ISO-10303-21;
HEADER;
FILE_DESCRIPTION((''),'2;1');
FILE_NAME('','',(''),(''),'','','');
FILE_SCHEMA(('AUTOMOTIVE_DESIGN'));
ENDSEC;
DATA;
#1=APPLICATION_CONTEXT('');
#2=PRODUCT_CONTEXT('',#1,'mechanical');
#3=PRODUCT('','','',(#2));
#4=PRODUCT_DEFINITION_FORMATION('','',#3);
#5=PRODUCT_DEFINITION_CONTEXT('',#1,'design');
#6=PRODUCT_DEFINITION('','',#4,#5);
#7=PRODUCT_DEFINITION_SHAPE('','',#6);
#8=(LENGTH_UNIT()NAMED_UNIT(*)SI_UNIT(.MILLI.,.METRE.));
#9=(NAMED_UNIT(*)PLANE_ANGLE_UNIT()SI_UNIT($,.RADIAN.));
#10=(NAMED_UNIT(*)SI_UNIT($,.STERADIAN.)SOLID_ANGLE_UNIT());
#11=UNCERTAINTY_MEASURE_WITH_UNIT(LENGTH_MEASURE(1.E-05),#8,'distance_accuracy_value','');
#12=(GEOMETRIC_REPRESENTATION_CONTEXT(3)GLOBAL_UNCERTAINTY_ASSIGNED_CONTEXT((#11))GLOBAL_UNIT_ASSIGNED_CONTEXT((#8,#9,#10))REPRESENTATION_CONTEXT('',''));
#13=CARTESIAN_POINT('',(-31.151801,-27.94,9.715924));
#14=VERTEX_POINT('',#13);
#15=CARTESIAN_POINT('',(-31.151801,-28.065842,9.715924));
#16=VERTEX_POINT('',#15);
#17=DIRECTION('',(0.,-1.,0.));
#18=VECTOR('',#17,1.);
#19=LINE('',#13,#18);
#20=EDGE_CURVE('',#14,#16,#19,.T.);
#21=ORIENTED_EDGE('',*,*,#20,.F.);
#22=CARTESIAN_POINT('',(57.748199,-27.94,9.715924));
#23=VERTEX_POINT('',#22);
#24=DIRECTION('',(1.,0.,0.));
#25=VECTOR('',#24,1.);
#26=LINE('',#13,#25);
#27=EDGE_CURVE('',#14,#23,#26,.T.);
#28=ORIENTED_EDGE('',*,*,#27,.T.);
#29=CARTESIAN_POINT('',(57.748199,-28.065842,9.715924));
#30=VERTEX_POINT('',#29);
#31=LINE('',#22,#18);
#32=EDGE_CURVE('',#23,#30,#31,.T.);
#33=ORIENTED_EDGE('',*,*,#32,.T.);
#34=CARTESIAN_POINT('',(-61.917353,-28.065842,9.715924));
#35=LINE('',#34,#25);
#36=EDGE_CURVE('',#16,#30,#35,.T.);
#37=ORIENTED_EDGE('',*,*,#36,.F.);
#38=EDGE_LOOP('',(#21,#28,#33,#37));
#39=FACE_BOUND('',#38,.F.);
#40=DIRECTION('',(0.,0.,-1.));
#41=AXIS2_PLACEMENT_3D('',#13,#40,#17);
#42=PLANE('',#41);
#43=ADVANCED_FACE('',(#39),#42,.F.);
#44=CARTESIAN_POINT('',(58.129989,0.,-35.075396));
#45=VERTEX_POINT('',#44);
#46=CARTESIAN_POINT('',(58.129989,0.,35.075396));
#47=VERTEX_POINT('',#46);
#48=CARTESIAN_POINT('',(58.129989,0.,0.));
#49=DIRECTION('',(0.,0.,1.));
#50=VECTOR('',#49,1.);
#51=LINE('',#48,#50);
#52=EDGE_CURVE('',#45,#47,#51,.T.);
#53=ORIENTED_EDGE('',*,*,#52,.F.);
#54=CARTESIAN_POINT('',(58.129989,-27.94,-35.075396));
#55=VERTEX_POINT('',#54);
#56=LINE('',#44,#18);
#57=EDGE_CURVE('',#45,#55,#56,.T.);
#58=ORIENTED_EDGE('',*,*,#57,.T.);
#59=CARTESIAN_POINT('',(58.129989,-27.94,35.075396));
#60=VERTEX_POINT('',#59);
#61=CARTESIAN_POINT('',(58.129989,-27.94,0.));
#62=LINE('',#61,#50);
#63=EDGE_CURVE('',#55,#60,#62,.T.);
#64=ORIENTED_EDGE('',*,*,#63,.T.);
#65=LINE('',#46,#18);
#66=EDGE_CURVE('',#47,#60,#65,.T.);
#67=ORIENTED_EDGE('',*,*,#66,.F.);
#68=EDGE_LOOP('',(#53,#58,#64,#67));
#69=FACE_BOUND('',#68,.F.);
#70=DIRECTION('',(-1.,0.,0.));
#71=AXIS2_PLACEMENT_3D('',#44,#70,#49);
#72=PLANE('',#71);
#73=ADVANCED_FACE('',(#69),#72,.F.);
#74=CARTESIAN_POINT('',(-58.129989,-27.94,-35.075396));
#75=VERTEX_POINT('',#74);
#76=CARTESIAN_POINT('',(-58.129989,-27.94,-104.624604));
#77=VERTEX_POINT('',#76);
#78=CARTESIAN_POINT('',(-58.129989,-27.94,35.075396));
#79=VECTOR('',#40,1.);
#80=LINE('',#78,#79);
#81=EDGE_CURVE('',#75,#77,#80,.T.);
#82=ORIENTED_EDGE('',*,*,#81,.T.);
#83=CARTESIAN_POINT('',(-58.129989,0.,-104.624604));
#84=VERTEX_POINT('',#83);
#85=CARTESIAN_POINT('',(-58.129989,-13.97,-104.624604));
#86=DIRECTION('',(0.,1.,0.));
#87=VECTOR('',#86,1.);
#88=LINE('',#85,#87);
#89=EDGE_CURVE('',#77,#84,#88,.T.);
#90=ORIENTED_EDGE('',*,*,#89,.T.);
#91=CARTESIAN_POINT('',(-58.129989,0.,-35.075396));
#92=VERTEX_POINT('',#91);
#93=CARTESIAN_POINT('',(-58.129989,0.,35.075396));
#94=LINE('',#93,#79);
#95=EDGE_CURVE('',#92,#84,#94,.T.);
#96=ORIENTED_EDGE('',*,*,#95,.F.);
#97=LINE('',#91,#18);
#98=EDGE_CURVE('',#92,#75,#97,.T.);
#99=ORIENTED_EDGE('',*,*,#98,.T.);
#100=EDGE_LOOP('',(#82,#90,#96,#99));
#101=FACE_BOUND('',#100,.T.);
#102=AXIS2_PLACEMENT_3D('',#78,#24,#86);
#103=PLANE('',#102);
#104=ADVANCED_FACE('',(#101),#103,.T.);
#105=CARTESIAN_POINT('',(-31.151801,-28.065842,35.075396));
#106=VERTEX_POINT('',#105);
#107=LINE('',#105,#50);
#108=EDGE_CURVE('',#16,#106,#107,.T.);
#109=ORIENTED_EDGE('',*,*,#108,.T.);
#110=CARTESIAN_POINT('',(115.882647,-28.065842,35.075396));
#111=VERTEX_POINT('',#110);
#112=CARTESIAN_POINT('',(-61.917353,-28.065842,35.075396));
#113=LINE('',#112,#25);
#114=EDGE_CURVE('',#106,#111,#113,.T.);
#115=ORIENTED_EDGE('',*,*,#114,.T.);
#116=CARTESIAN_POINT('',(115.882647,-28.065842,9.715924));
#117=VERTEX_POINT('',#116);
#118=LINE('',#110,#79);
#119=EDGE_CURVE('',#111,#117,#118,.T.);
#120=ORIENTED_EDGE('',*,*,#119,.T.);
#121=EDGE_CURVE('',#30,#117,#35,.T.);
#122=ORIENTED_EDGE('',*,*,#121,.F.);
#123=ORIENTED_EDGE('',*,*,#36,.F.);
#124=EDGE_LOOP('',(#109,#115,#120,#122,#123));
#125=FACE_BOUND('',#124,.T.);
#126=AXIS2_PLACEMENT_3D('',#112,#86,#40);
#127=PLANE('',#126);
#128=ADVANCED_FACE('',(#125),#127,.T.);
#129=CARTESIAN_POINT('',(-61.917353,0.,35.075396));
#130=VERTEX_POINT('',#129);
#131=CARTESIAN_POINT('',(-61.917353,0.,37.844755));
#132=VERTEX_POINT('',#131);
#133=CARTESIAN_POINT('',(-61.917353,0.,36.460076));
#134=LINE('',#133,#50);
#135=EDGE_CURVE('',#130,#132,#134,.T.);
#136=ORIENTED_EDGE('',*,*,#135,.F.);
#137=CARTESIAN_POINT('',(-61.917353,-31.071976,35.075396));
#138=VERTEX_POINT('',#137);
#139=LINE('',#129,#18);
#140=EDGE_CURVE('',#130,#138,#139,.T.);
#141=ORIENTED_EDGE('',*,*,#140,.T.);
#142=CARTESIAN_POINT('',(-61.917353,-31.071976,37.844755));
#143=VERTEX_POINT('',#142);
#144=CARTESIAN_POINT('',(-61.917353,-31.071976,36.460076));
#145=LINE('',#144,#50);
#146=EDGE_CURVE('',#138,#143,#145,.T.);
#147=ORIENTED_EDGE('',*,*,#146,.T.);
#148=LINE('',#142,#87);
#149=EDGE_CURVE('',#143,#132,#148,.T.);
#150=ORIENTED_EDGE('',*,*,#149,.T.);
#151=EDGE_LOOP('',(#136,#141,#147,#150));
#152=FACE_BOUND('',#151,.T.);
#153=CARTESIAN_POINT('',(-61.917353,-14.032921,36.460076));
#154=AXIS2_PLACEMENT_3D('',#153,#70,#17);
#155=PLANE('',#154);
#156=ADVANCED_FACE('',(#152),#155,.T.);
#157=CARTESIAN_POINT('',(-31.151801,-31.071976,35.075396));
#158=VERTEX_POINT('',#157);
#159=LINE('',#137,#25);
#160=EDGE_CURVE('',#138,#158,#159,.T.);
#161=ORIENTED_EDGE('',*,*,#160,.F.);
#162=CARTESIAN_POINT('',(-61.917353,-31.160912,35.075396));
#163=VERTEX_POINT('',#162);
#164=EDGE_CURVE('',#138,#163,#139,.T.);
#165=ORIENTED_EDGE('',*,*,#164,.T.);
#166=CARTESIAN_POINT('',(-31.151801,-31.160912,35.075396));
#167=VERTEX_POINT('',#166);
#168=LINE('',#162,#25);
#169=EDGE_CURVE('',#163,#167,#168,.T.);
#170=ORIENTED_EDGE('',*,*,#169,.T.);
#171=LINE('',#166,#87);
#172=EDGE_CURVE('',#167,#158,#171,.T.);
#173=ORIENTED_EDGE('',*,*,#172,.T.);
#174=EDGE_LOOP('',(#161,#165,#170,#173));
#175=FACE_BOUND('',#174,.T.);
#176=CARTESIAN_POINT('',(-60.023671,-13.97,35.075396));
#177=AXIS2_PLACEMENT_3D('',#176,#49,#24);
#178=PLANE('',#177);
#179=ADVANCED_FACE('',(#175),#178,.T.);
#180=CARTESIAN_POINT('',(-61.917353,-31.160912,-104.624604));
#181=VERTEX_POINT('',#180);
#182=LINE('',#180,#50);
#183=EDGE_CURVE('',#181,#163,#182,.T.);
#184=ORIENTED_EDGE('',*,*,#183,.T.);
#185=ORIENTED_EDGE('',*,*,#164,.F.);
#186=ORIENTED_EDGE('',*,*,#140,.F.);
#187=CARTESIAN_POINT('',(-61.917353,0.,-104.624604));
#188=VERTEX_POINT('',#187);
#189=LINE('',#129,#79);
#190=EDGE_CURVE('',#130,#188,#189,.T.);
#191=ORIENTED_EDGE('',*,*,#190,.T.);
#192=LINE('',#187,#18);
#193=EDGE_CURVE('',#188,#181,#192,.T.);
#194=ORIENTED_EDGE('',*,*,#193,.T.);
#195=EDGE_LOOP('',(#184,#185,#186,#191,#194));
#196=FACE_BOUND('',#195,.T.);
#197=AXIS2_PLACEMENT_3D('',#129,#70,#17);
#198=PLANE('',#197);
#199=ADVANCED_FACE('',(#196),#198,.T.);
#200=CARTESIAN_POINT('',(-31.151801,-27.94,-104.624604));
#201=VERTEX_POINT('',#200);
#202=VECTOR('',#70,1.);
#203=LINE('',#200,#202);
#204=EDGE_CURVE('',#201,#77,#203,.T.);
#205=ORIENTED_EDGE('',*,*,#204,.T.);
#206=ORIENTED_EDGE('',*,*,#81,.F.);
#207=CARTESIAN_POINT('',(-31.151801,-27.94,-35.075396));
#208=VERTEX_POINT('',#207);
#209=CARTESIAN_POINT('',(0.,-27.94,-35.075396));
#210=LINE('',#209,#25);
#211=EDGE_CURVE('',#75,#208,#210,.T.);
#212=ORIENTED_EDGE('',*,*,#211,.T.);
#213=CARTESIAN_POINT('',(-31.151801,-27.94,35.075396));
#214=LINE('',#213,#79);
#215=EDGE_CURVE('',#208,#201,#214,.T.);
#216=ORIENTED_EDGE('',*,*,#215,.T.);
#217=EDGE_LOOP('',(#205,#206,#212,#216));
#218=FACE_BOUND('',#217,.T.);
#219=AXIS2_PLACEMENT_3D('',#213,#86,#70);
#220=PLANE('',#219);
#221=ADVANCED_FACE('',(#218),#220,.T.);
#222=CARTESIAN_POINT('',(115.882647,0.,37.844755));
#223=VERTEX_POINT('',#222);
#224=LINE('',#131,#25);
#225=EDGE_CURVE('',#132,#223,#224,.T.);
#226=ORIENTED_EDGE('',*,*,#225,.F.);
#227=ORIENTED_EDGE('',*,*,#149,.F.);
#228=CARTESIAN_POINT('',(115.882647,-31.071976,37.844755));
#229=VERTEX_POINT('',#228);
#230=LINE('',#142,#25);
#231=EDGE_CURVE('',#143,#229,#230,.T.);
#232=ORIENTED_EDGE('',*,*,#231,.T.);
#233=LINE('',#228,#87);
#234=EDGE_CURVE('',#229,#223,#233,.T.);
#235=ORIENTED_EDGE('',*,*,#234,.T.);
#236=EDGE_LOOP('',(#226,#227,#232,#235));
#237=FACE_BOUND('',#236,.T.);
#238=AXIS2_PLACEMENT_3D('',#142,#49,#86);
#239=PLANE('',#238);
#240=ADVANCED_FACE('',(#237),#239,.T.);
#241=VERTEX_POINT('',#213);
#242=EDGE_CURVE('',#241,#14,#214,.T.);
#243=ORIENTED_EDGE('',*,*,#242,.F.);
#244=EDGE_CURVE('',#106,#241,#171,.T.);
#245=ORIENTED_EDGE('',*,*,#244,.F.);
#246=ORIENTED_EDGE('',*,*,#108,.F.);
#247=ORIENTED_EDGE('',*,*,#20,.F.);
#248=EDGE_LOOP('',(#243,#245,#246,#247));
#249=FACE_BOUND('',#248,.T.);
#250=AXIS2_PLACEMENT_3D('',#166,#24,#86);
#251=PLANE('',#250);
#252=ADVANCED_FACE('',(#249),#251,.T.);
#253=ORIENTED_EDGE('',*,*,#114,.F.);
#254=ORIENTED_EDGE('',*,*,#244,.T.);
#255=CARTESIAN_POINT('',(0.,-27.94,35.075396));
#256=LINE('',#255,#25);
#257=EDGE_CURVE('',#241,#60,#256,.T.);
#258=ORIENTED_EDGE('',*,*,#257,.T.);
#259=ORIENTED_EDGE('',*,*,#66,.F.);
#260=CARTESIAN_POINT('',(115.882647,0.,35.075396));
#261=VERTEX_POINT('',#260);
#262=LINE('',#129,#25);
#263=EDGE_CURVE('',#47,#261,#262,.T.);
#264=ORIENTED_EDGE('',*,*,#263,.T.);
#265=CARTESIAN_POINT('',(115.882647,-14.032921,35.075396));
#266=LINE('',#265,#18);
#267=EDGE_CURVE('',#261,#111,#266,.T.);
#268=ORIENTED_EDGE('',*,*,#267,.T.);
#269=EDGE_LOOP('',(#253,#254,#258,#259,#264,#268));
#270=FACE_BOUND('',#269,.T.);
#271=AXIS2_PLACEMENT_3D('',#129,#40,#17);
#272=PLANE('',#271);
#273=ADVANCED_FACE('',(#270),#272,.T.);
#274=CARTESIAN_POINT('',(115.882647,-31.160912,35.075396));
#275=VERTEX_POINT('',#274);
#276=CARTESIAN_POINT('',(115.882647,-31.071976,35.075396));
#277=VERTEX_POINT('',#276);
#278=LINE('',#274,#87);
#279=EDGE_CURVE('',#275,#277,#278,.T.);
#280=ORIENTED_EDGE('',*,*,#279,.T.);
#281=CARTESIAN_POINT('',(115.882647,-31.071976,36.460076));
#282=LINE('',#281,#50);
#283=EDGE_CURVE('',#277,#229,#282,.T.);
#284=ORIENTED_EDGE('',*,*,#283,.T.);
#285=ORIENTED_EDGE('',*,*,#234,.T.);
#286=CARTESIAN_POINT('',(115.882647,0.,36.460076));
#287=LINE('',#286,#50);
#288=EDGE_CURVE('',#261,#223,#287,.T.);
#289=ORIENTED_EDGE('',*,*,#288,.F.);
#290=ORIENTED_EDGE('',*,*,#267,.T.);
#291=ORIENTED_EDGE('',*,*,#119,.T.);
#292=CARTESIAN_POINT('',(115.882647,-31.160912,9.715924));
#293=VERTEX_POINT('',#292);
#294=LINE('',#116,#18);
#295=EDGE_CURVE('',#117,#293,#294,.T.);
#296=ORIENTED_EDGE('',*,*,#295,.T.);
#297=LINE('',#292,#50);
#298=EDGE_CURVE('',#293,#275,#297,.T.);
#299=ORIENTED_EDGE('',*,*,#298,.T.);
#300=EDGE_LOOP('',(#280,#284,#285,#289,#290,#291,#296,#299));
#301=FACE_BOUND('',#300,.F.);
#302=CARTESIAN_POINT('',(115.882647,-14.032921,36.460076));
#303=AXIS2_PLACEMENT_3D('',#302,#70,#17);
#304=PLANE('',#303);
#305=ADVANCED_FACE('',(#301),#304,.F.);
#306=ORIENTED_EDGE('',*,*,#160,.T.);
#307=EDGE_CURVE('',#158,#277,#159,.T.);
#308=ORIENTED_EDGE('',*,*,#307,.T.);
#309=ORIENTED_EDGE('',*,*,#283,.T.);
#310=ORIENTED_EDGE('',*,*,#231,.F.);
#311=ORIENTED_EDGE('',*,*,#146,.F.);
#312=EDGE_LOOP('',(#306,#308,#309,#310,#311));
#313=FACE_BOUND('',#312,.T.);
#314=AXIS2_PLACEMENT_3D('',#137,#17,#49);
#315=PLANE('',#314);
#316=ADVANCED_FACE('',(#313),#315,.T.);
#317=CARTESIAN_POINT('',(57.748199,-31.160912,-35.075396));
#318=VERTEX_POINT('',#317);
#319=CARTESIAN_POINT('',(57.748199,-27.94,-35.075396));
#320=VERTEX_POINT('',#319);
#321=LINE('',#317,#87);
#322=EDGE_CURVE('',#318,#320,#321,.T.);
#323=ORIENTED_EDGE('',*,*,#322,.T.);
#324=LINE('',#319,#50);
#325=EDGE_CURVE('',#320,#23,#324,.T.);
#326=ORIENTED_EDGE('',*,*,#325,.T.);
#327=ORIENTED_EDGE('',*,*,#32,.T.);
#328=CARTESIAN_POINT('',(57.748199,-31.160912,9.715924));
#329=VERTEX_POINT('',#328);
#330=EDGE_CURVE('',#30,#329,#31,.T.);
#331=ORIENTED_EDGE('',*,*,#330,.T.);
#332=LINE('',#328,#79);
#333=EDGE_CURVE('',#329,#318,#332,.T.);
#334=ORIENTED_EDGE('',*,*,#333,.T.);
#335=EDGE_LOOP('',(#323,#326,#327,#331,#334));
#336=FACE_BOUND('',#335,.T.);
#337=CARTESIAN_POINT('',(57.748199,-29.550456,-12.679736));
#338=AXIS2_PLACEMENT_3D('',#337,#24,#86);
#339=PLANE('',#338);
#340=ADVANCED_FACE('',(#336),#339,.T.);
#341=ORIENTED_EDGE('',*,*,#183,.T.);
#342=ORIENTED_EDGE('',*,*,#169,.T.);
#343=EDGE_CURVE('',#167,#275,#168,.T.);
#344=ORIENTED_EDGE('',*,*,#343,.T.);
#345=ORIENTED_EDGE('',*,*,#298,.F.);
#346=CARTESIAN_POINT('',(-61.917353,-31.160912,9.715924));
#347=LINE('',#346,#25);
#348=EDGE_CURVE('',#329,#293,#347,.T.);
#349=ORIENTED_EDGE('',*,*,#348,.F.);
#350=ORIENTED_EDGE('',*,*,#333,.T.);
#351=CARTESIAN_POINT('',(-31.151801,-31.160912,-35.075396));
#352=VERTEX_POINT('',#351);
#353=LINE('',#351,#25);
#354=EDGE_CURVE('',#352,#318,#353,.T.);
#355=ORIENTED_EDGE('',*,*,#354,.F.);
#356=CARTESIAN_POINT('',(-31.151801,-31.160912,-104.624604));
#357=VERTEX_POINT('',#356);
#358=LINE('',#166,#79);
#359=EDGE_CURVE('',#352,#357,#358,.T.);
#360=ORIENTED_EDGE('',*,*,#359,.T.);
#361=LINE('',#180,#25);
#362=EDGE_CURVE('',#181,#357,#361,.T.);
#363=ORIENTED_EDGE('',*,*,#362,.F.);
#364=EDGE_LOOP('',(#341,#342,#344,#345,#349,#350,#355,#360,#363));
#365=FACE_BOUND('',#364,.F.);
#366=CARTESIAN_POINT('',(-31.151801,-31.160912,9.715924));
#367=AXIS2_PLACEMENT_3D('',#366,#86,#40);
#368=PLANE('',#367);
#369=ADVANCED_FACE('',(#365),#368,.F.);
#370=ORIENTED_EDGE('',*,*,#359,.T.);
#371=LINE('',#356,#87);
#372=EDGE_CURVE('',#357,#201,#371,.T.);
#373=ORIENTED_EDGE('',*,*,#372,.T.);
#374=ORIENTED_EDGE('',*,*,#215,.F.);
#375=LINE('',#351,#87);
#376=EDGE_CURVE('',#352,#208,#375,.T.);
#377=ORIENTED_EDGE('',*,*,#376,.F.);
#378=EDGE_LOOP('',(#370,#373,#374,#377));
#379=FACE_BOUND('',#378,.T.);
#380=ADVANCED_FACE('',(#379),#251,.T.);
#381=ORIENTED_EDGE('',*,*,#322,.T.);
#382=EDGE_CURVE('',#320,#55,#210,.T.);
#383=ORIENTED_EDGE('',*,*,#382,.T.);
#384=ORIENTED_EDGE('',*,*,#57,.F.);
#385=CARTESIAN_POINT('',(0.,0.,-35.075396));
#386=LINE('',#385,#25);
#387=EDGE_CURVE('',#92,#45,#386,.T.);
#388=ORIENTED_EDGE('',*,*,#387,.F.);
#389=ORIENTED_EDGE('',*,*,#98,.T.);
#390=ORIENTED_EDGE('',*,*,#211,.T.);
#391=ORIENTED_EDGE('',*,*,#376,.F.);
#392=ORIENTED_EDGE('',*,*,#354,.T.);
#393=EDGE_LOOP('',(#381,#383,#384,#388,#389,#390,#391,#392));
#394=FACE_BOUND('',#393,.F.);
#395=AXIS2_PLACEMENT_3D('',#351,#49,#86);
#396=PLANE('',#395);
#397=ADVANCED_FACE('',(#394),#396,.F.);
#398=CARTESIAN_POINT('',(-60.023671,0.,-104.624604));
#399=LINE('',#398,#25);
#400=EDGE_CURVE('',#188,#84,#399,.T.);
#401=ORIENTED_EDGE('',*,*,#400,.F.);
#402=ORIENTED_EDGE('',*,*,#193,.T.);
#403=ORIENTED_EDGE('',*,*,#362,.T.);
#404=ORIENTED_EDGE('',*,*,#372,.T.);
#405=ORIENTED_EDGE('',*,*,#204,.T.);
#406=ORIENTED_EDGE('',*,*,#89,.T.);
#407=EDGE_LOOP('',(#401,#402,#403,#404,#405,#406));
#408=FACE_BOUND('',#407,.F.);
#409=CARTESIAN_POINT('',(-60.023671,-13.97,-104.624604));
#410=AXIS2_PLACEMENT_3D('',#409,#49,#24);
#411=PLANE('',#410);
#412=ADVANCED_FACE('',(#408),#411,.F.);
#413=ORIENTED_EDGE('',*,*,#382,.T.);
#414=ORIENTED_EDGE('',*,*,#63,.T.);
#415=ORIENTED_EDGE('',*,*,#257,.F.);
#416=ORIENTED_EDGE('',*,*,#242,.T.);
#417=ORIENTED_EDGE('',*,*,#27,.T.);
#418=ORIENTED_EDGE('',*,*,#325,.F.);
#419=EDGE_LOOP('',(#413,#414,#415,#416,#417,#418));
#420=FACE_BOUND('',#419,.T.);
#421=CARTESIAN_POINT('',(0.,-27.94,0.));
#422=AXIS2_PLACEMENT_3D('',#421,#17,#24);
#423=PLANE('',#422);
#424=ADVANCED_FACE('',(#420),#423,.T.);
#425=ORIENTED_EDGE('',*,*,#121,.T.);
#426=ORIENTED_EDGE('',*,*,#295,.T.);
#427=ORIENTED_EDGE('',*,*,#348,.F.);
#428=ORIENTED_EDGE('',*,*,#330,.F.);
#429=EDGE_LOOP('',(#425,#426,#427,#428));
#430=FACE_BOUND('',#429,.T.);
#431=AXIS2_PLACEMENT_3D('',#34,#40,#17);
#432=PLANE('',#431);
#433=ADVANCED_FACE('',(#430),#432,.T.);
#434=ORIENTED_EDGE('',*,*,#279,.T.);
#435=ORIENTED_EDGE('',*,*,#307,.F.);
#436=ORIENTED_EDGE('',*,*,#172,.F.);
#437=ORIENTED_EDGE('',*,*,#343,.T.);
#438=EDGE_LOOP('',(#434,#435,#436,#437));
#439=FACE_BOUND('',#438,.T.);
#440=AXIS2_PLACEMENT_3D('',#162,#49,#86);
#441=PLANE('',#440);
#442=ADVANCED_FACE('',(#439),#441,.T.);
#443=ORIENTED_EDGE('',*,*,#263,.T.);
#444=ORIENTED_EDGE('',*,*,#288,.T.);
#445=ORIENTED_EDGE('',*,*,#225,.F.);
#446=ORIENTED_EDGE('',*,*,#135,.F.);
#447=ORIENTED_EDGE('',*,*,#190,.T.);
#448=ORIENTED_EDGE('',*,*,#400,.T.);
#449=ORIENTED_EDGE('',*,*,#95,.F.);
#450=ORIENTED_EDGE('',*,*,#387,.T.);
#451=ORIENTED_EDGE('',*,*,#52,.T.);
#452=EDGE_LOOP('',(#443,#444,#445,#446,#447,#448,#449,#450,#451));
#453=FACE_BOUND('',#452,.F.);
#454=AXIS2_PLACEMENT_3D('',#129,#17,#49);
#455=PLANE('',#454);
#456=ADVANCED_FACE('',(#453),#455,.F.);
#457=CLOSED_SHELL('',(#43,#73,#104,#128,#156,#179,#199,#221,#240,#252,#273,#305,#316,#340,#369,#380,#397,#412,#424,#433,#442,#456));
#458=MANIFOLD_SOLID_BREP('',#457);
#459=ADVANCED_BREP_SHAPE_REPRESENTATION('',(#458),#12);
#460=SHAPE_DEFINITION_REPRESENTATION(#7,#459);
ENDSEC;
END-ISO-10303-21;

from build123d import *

# Parameters (mm, degrees)
F0_W     = 116.2599772215
F0_H     = 70.1507925987
F1_DEPTH = 27.94
F2_W     = 3.7873648107
F2_H     = 27.94
F3_DEPTH = 139.7
F4_W     = 28.065841645
F4_H     = 2.7693584561
F4_W_2   = 3.0061341822
F5_DEPTH = 177.8
F7_DEPTH = 88.9


with BuildPart() as f1:
    # F0 (on Front) → F1 (new body)
    with BuildSketch(Plane.XZ):
        Rectangle(F0_W, F0_H)
    extrude(amount=F1_DEPTH)

    # F2 (on face) → F3 (join)
    with BuildSketch(Plane.XY.offset(35.0753962994)):
        with Locations((-60.0236710161, -13.97)):
            Rectangle(F2_W, F2_H)
        Polygon((-31.1518013477, -27.94), (-58.1299886107, -27.94), (-61.9173534214, -27.94), (-61.9173534214, -31.1609115452), (-31.1518013477, -31.1609115452), align=None)
    extrude(amount=-F3_DEPTH)

    # F4 (on face) → F5 (join)
    with BuildSketch(Plane(origin=(-61.9173534214, 0, 0), x_dir=(0, -1, 0), z_dir=(-1, 0, 0))):
        with Locations((14.0329208225, 36.4600755274)):
            Rectangle(F4_W, F4_H)
        Polygon((31.0719758272, 35.0753962994), (28.065841645, 35.0753962994), (28.065841645, 9.7159240395), (31.1609115452, 9.7159240395), (31.1609115452, 35.0753962994), align=None)
        with Locations((29.5689087361, 36.4600755274)):
            Rectangle(F4_W_2, F4_H)
    extrude(amount=-F5_DEPTH)

    # F6 (on face) → F7 (join)
    with BuildSketch(Plane.YZ.offset(-31.1518013477)):
        Polygon((-28.065841645, 9.7159240395), (-31.1609115452, 9.7159240395), (-31.1609115452, -35.0753962994), (-27.94, -35.0753962994), (-27.94, 9.7159240395), align=None)
    extrude(amount=F7_DEPTH)


solid = f1.part
